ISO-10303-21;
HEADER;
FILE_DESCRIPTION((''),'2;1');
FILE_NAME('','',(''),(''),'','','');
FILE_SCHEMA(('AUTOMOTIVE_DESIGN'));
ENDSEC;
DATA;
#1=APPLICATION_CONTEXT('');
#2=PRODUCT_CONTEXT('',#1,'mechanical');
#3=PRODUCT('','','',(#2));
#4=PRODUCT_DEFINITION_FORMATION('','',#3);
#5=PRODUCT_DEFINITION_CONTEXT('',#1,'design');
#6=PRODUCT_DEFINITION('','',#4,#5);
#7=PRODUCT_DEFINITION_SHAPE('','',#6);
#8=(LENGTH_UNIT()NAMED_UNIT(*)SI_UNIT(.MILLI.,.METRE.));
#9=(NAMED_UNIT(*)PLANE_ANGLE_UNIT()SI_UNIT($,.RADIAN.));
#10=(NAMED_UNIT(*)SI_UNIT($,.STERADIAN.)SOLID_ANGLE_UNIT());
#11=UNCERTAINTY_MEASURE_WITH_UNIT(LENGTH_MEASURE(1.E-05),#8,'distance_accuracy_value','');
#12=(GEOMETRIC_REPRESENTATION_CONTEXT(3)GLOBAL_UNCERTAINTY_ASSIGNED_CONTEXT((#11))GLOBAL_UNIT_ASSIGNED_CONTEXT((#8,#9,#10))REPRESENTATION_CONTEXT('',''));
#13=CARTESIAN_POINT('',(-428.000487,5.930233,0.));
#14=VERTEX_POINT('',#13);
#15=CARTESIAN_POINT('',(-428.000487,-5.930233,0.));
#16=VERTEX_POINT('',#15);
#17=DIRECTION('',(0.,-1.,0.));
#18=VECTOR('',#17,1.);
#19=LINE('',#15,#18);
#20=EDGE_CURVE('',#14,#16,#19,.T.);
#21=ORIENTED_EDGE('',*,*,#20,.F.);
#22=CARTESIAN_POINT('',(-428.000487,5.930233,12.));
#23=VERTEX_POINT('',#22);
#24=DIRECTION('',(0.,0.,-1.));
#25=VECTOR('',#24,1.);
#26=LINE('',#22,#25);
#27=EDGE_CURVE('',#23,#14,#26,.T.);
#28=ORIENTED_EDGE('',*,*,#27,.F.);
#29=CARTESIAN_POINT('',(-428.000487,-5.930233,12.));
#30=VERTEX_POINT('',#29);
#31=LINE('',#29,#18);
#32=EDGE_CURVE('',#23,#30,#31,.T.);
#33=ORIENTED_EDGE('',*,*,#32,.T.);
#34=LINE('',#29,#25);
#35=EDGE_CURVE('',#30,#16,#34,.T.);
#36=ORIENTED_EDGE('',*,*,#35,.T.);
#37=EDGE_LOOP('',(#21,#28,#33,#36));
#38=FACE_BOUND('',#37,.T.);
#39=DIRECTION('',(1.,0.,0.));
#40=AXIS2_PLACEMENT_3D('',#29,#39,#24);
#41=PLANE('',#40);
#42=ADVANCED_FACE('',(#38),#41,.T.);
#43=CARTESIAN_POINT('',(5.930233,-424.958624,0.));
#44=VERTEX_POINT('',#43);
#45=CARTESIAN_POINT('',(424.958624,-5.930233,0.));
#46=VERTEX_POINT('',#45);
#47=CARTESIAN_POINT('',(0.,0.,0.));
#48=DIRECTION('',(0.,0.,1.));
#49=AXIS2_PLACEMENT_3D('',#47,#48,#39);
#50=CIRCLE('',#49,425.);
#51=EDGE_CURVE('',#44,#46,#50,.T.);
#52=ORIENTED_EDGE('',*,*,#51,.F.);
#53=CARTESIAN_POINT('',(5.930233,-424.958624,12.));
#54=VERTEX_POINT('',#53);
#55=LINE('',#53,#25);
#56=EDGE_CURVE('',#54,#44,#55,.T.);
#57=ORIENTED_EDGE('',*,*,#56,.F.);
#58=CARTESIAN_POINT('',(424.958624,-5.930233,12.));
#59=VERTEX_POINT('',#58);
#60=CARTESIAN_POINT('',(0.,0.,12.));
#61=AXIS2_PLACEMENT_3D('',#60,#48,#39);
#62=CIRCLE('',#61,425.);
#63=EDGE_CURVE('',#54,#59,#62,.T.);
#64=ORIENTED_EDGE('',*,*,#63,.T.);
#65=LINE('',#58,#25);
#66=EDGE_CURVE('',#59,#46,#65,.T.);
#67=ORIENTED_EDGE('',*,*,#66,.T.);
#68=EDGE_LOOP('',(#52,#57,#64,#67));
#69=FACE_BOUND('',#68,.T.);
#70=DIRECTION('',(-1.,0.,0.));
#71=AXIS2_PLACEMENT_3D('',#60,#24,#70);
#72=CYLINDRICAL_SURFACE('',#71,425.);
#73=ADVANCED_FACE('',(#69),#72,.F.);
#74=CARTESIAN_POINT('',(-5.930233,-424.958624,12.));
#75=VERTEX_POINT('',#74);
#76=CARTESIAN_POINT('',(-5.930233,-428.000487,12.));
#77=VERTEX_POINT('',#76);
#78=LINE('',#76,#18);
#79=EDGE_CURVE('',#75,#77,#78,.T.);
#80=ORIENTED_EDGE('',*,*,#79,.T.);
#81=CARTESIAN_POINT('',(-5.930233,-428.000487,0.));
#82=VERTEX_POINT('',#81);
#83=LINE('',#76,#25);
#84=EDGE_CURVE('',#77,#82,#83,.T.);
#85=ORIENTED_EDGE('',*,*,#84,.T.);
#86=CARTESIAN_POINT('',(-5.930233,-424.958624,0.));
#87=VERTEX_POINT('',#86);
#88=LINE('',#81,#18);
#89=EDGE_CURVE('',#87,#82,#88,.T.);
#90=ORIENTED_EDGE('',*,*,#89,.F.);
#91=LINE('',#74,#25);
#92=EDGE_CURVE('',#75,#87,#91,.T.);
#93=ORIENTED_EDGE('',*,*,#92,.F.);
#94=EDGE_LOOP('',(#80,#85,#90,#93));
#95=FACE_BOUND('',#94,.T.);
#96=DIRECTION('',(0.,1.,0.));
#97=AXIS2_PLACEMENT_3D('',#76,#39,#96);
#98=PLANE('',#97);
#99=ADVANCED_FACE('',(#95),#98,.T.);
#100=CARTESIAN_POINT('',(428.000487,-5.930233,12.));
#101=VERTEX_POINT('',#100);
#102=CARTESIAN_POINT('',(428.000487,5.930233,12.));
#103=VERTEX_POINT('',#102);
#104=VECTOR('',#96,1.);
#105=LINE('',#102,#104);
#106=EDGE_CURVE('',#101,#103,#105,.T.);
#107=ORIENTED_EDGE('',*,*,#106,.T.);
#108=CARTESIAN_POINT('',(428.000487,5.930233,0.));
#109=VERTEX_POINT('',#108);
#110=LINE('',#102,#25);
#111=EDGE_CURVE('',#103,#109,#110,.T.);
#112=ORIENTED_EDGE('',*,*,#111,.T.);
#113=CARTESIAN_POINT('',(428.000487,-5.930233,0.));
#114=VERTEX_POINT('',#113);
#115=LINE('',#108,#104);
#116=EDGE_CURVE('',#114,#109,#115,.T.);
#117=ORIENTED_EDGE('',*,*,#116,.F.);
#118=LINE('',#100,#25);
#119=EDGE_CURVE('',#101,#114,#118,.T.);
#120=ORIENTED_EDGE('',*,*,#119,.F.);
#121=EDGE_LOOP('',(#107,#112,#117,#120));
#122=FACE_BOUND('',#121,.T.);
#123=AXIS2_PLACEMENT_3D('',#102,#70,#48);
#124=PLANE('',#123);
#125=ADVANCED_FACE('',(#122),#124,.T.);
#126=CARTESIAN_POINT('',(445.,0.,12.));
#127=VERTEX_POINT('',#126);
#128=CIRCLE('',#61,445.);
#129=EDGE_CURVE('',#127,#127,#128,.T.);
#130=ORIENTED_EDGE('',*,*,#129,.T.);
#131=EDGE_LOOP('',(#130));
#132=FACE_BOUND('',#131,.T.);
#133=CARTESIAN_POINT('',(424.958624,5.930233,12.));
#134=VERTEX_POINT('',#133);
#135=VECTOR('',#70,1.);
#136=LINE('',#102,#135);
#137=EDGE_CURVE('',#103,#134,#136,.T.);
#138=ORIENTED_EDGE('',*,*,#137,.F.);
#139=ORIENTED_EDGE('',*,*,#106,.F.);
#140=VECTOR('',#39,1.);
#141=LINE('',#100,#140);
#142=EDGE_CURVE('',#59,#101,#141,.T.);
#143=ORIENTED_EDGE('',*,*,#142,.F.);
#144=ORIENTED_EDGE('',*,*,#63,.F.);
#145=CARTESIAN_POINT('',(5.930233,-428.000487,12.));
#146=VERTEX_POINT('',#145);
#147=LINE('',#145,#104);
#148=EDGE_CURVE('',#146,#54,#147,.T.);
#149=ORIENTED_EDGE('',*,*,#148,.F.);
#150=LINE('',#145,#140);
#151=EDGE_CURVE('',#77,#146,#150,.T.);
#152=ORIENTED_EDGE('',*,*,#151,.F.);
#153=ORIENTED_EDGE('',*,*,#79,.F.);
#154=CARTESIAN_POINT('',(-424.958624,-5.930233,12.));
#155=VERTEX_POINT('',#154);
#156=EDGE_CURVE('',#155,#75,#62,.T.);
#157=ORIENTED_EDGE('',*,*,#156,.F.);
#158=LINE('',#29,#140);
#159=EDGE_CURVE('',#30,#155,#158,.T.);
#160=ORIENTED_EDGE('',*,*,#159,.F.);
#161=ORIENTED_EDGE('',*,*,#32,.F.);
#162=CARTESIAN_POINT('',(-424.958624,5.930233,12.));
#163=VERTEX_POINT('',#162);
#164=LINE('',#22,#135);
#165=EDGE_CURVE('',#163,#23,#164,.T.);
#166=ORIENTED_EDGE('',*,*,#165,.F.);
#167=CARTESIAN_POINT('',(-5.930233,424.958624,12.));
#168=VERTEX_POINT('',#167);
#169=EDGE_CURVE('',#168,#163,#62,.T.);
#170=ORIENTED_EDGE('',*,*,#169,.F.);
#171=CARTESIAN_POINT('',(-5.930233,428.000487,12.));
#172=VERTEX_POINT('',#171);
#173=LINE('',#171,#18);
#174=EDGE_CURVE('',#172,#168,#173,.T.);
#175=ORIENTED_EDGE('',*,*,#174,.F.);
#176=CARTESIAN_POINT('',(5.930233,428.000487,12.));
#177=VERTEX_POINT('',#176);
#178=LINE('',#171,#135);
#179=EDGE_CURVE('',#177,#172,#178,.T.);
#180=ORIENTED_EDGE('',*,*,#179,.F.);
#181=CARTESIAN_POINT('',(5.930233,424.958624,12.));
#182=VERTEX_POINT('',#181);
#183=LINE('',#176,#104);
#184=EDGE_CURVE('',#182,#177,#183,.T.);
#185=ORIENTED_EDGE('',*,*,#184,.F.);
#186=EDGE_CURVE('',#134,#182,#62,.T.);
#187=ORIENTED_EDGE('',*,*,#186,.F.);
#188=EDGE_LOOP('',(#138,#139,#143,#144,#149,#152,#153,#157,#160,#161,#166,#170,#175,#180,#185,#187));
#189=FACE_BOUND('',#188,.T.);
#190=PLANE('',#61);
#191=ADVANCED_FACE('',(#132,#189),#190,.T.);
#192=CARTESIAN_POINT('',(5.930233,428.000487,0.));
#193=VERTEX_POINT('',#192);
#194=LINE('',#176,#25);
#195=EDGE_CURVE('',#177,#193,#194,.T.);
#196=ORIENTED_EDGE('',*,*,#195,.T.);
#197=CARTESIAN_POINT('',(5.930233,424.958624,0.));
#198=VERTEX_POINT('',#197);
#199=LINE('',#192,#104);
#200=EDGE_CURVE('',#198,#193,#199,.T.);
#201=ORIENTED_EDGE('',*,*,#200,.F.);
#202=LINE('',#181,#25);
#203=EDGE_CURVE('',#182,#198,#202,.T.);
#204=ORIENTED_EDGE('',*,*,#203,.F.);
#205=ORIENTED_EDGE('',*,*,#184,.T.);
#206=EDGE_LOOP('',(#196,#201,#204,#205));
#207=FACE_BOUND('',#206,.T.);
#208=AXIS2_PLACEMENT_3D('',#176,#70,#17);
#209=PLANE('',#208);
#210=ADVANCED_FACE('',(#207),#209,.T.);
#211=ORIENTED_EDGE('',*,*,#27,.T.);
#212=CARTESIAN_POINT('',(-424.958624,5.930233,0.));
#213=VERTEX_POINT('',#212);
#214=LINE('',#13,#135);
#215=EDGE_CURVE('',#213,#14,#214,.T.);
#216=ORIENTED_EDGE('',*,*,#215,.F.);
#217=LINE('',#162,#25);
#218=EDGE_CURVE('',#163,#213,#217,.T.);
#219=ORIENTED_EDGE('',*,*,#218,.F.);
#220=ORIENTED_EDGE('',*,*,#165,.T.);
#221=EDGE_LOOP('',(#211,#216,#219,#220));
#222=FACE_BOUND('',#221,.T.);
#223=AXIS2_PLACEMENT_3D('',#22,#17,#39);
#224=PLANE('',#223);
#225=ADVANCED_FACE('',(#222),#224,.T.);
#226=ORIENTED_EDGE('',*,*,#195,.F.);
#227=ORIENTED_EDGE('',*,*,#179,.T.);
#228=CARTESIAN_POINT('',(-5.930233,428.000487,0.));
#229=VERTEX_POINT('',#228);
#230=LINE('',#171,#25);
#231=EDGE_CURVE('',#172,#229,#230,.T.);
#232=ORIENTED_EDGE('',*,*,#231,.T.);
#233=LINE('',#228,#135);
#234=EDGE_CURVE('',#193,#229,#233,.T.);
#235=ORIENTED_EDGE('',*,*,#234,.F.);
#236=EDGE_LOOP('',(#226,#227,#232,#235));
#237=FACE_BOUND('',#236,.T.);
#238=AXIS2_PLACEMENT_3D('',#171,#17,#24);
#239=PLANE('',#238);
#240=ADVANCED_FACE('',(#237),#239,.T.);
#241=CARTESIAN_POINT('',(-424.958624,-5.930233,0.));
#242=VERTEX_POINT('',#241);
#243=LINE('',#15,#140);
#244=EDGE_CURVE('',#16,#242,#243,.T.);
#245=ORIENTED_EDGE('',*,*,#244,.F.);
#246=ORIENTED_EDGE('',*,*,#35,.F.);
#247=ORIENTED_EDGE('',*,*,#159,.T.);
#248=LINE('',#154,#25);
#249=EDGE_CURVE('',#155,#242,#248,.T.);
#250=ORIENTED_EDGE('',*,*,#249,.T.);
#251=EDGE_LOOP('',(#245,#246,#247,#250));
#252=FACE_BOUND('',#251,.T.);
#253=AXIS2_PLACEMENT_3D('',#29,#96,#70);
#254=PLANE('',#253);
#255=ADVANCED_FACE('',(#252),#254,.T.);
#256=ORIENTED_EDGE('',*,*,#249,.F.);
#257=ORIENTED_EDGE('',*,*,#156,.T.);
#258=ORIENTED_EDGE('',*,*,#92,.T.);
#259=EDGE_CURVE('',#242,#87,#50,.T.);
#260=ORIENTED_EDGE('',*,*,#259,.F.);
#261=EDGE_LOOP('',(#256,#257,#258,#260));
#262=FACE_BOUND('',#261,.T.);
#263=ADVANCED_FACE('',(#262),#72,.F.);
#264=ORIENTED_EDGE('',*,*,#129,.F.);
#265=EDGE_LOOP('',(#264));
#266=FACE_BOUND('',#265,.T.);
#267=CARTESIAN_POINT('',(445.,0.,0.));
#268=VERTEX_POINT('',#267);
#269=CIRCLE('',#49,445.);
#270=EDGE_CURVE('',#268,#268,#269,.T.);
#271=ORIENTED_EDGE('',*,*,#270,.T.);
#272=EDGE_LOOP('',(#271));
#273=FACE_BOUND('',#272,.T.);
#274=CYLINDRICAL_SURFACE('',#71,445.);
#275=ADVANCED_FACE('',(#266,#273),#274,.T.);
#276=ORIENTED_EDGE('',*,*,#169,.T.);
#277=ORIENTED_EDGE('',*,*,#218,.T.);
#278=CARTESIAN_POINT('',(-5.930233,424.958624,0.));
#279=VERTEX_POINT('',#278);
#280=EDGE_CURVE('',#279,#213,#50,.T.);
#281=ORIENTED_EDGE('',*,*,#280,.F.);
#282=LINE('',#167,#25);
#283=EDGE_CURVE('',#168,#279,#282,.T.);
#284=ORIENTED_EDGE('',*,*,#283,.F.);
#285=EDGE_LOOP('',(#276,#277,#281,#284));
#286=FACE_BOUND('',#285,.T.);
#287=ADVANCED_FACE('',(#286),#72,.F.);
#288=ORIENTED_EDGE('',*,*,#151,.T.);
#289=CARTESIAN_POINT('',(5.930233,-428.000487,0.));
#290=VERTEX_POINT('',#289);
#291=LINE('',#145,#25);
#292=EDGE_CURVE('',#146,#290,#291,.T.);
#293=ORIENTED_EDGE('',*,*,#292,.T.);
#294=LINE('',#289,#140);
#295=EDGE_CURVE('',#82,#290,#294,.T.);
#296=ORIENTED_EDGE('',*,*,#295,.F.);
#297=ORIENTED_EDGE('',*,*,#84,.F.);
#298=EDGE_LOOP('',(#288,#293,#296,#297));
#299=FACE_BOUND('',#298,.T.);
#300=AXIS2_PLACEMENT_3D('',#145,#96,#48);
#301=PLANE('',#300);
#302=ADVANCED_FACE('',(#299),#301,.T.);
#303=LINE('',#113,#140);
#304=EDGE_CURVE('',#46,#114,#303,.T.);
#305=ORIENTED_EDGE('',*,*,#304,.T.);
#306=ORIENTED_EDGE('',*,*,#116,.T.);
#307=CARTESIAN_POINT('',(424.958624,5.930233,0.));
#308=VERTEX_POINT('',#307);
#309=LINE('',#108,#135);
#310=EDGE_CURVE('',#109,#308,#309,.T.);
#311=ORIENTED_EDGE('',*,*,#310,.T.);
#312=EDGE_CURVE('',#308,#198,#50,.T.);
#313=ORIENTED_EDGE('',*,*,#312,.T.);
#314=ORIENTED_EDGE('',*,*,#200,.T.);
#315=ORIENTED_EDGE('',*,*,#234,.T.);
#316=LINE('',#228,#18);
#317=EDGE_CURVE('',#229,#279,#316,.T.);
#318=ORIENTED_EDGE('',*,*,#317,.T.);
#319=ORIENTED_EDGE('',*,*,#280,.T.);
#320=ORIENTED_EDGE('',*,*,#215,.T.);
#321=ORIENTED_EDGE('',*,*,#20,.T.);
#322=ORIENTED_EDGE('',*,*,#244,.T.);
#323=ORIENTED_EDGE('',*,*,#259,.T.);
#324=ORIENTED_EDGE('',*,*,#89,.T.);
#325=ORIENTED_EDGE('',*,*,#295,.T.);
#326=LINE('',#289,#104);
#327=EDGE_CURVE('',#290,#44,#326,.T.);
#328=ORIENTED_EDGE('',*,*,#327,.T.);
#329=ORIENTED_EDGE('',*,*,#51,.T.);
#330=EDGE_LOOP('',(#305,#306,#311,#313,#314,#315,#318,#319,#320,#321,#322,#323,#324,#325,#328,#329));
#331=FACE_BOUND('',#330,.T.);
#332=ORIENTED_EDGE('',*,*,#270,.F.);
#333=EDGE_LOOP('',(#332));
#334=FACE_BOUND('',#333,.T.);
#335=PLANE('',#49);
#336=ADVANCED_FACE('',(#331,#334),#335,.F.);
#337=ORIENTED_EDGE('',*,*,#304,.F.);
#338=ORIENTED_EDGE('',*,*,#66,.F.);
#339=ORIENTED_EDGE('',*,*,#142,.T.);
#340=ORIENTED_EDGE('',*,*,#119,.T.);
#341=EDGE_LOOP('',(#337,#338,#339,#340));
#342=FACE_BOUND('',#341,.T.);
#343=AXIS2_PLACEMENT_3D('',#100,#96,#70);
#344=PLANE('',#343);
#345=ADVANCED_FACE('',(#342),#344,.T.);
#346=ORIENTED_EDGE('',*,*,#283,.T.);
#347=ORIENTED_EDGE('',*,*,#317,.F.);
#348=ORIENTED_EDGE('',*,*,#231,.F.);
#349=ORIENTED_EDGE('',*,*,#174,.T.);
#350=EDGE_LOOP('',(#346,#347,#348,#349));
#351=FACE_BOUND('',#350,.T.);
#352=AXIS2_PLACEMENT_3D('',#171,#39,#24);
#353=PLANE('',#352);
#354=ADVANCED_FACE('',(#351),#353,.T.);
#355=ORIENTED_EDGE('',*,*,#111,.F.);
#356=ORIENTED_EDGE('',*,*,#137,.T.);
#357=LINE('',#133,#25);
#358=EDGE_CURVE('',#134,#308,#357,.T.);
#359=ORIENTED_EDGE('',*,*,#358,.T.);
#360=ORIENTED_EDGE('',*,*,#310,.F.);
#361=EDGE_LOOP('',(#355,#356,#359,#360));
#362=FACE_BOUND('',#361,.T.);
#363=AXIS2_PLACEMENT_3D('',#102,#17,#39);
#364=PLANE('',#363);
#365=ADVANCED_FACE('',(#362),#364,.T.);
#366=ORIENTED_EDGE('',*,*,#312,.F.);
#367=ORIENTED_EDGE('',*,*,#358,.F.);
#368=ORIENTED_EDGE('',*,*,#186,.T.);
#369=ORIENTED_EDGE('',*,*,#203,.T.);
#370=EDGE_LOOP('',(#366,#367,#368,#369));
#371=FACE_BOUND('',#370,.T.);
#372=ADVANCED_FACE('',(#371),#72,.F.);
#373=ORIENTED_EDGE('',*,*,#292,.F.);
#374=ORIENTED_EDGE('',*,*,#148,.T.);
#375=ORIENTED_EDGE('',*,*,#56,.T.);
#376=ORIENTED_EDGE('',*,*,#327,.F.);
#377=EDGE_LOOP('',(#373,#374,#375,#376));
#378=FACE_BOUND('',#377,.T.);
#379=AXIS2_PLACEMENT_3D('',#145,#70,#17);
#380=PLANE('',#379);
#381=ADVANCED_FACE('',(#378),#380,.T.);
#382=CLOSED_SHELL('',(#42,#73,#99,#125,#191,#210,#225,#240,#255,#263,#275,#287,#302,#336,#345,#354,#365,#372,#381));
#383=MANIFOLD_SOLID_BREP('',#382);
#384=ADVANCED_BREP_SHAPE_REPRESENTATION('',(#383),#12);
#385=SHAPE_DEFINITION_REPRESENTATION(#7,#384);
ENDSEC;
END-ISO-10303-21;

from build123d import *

# Parameters (mm, degrees)
SKETCH1_R           = 445
BOSS_EXTRUDE1_DEPTH = 12


with BuildPart() as part:
    # Sketch1 → Boss-Extrude1 (new body)
    with BuildSketch(Plane.XY):
        Circle(SKETCH1_R)
        with BuildLine():
            Line((428.000486773, 5.930232558), (424.95862427, 5.930232558))
            ThreePointArc((424.95862427, 5.930232558), (300.520382004, 300.520382004), (5.930232558, 424.95862427))
            Line((5.930232558, 424.95862427), (5.930232558, 428.000486773))
            Line((5.930232558, 428.000486773), (-5.930232558, 428.000486773))
            Line((-5.930232558, 428.000486773), (-5.930232558, 424.95862427))
            ThreePointArc((-5.930232558, 424.95862427), (-300.520382004, 300.520382004), (-424.95862427, 5.930232558))
            Line((-424.95862427, 5.930232558), (-428.000486773, 5.930232558))
            Line((-428.000486773, 5.930232558), (-428.000486773, -5.930232558))
            Line((-428.000486773, -5.930232558), (-424.95862427, -5.930232558))
            ThreePointArc((-424.95862427, -5.930232558), (-300.520382004, -300.520382004), (-5.930232558, -424.95862427))
            Line((-5.930232558, -424.95862427), (-5.930232558, -428.000486773))
            Line((-5.930232558, -428.000486773), (5.930232558, -428.000486773))
            Line((5.930232558, -428.000486773), (5.930232558, -424.95862427))
            ThreePointArc((5.930232558, -424.95862427), (300.520382004, -300.520382004), (424.95862427, -5.930232558))
            Line((424.95862427, -5.930232558), (428.000486773, -5.930232558))
            Line((428.000486773, -5.930232558), (428.000486773, 5.930232558))
        make_face(mode=Mode.SUBTRACT)
    extrude(amount=BOSS_EXTRUDE1_DEPTH)


solid = part.part
